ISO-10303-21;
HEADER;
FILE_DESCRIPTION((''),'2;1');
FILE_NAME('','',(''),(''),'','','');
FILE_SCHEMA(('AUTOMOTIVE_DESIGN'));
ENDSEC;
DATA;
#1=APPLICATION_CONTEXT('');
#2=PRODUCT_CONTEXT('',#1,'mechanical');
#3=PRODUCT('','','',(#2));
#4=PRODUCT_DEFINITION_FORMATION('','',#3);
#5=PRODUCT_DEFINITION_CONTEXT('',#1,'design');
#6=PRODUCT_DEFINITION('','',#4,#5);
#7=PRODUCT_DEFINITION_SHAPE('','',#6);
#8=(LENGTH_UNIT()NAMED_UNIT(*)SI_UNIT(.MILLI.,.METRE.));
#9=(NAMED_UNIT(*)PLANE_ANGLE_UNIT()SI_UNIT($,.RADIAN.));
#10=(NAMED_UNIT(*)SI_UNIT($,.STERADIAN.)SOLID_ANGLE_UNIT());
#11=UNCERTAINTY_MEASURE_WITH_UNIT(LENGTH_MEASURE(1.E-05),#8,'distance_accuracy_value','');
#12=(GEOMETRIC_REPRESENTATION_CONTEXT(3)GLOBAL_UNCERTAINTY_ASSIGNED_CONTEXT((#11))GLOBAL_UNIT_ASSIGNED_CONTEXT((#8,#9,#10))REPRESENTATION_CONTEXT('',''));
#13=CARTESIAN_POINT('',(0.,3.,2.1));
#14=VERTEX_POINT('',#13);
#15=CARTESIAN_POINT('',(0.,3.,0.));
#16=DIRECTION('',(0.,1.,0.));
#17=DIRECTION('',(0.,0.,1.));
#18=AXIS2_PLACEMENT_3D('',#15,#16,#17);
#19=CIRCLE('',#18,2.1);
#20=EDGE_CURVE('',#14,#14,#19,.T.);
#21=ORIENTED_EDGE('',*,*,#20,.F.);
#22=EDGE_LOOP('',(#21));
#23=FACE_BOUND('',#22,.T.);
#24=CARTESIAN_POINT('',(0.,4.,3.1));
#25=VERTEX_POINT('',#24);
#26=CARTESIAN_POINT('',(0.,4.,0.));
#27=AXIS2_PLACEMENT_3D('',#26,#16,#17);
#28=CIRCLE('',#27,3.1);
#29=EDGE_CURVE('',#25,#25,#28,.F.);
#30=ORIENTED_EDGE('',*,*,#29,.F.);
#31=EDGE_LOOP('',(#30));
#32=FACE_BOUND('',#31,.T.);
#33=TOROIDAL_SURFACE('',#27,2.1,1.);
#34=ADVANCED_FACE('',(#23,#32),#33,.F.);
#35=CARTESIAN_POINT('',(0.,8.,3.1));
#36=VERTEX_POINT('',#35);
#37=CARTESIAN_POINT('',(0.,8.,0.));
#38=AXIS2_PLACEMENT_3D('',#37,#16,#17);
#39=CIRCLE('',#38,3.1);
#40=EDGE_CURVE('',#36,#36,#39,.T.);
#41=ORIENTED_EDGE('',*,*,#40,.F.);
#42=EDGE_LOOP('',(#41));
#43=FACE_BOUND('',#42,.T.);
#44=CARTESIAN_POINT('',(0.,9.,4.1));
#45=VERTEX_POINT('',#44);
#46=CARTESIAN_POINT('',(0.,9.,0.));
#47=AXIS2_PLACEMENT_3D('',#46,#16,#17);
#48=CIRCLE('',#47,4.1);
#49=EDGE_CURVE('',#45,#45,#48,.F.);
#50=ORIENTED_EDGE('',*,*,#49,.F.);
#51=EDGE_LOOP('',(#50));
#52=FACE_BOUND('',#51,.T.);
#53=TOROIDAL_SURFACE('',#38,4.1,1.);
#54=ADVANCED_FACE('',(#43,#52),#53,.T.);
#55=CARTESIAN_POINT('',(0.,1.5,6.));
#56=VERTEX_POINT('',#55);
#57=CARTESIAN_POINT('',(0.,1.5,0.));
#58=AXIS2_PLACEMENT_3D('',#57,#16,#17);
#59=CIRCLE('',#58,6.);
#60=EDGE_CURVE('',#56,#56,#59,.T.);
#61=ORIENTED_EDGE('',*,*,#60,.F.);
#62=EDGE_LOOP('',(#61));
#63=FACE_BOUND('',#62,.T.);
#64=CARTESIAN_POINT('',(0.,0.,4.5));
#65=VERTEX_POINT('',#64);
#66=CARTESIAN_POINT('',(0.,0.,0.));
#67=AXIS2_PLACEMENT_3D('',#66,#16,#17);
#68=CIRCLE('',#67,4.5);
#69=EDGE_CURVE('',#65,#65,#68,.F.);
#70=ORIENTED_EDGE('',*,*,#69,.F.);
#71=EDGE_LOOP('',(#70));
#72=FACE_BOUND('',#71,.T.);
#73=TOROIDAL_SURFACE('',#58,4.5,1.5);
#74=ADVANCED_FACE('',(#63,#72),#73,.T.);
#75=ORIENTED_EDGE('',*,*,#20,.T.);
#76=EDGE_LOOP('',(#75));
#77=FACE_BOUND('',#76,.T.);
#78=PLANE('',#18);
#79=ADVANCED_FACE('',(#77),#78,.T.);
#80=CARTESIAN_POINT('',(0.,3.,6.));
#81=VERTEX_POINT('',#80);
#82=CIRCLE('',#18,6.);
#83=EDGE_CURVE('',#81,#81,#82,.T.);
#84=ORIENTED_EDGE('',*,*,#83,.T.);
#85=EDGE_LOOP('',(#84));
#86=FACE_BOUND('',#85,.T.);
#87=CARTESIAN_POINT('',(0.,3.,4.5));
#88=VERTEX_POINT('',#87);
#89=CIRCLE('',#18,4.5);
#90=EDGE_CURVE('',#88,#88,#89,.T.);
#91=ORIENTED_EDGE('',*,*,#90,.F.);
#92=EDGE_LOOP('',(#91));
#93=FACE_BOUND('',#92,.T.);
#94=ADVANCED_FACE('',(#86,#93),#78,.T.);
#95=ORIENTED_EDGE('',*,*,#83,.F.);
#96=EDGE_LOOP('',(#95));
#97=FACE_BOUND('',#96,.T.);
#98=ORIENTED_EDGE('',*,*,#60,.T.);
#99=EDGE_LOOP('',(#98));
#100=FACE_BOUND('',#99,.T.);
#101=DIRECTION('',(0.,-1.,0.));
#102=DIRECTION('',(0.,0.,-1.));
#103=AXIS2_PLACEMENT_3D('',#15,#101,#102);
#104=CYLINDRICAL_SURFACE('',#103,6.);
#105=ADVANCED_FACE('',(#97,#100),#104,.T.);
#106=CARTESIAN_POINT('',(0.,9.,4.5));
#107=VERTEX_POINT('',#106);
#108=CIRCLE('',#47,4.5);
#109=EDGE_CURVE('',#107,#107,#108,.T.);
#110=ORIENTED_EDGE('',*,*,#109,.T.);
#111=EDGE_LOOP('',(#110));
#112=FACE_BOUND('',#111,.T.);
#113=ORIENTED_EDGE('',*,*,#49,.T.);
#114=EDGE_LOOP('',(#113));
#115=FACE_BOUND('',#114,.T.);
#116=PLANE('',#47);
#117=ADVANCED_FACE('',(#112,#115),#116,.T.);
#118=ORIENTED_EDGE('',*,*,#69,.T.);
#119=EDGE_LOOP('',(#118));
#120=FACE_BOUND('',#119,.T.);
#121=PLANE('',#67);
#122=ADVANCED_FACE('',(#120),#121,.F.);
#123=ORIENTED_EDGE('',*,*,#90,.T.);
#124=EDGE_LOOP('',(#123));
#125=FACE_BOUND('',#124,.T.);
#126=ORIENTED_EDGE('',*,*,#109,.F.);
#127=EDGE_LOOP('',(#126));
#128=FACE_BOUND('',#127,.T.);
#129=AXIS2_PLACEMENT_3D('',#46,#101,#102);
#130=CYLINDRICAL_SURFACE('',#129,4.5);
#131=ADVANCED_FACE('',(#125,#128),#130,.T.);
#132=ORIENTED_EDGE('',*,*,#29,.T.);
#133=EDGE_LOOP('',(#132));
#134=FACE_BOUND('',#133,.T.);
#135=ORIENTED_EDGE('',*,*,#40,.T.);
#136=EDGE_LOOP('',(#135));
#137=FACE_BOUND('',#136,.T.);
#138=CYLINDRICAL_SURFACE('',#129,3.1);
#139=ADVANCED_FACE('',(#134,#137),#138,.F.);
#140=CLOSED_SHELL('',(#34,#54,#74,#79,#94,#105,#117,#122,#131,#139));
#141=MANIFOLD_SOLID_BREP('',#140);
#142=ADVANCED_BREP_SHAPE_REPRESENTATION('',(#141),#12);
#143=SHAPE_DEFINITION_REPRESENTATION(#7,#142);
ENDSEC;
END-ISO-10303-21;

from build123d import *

# Parameters (mm, degrees)
SKETCH_1_R        = 6
EXTRUDE_1_DEPTH   = 3
SKETCH_2_R        = 4.5
SKETCH_2_R_2      = 3.1
EXTRUDE_1_2_DEPTH = 6
FILLET_1_R        = 1
FILLET_2_R        = 1.5


with BuildPart() as part:
    # ｽｹｯﾁ1 → Extrude 1 (new body)
    with BuildSketch(Plane(origin=(0, 0, 0), x_dir=(1, 0, 0), z_dir=(0, 1, 0))):
        Circle(SKETCH_1_R)
    extrude(amount=EXTRUDE_1_DEPTH)

    # ｽｹｯﾁ2 → Extrude 1 2 (add)
    with BuildSketch(Plane(origin=(0, 3, 0), x_dir=(1, 0, 0), z_dir=(0, 1, 0))):
        Circle(SKETCH_2_R)
        Circle(SKETCH_2_R_2, mode=Mode.SUBTRACT)
    extrude(amount=EXTRUDE_1_2_DEPTH)

    # ﾌｨﾚｯﾄ1
    fillet_1_edges = [part.edges().sort_by_distance(p)[0] for p in [
        (-3.1, 3, 0),
        (-3.1, 9, 0),
    ]]
    fillet(fillet_1_edges, radius=FILLET_1_R)

    # ﾌｨﾚｯﾄ2
    fillet_2_edges = [part.edges().sort_by_distance(p)[0] for p in [
        (-6, 0, 0),
    ]]
    fillet(fillet_2_edges, radius=FILLET_2_R)


solid = part.part
